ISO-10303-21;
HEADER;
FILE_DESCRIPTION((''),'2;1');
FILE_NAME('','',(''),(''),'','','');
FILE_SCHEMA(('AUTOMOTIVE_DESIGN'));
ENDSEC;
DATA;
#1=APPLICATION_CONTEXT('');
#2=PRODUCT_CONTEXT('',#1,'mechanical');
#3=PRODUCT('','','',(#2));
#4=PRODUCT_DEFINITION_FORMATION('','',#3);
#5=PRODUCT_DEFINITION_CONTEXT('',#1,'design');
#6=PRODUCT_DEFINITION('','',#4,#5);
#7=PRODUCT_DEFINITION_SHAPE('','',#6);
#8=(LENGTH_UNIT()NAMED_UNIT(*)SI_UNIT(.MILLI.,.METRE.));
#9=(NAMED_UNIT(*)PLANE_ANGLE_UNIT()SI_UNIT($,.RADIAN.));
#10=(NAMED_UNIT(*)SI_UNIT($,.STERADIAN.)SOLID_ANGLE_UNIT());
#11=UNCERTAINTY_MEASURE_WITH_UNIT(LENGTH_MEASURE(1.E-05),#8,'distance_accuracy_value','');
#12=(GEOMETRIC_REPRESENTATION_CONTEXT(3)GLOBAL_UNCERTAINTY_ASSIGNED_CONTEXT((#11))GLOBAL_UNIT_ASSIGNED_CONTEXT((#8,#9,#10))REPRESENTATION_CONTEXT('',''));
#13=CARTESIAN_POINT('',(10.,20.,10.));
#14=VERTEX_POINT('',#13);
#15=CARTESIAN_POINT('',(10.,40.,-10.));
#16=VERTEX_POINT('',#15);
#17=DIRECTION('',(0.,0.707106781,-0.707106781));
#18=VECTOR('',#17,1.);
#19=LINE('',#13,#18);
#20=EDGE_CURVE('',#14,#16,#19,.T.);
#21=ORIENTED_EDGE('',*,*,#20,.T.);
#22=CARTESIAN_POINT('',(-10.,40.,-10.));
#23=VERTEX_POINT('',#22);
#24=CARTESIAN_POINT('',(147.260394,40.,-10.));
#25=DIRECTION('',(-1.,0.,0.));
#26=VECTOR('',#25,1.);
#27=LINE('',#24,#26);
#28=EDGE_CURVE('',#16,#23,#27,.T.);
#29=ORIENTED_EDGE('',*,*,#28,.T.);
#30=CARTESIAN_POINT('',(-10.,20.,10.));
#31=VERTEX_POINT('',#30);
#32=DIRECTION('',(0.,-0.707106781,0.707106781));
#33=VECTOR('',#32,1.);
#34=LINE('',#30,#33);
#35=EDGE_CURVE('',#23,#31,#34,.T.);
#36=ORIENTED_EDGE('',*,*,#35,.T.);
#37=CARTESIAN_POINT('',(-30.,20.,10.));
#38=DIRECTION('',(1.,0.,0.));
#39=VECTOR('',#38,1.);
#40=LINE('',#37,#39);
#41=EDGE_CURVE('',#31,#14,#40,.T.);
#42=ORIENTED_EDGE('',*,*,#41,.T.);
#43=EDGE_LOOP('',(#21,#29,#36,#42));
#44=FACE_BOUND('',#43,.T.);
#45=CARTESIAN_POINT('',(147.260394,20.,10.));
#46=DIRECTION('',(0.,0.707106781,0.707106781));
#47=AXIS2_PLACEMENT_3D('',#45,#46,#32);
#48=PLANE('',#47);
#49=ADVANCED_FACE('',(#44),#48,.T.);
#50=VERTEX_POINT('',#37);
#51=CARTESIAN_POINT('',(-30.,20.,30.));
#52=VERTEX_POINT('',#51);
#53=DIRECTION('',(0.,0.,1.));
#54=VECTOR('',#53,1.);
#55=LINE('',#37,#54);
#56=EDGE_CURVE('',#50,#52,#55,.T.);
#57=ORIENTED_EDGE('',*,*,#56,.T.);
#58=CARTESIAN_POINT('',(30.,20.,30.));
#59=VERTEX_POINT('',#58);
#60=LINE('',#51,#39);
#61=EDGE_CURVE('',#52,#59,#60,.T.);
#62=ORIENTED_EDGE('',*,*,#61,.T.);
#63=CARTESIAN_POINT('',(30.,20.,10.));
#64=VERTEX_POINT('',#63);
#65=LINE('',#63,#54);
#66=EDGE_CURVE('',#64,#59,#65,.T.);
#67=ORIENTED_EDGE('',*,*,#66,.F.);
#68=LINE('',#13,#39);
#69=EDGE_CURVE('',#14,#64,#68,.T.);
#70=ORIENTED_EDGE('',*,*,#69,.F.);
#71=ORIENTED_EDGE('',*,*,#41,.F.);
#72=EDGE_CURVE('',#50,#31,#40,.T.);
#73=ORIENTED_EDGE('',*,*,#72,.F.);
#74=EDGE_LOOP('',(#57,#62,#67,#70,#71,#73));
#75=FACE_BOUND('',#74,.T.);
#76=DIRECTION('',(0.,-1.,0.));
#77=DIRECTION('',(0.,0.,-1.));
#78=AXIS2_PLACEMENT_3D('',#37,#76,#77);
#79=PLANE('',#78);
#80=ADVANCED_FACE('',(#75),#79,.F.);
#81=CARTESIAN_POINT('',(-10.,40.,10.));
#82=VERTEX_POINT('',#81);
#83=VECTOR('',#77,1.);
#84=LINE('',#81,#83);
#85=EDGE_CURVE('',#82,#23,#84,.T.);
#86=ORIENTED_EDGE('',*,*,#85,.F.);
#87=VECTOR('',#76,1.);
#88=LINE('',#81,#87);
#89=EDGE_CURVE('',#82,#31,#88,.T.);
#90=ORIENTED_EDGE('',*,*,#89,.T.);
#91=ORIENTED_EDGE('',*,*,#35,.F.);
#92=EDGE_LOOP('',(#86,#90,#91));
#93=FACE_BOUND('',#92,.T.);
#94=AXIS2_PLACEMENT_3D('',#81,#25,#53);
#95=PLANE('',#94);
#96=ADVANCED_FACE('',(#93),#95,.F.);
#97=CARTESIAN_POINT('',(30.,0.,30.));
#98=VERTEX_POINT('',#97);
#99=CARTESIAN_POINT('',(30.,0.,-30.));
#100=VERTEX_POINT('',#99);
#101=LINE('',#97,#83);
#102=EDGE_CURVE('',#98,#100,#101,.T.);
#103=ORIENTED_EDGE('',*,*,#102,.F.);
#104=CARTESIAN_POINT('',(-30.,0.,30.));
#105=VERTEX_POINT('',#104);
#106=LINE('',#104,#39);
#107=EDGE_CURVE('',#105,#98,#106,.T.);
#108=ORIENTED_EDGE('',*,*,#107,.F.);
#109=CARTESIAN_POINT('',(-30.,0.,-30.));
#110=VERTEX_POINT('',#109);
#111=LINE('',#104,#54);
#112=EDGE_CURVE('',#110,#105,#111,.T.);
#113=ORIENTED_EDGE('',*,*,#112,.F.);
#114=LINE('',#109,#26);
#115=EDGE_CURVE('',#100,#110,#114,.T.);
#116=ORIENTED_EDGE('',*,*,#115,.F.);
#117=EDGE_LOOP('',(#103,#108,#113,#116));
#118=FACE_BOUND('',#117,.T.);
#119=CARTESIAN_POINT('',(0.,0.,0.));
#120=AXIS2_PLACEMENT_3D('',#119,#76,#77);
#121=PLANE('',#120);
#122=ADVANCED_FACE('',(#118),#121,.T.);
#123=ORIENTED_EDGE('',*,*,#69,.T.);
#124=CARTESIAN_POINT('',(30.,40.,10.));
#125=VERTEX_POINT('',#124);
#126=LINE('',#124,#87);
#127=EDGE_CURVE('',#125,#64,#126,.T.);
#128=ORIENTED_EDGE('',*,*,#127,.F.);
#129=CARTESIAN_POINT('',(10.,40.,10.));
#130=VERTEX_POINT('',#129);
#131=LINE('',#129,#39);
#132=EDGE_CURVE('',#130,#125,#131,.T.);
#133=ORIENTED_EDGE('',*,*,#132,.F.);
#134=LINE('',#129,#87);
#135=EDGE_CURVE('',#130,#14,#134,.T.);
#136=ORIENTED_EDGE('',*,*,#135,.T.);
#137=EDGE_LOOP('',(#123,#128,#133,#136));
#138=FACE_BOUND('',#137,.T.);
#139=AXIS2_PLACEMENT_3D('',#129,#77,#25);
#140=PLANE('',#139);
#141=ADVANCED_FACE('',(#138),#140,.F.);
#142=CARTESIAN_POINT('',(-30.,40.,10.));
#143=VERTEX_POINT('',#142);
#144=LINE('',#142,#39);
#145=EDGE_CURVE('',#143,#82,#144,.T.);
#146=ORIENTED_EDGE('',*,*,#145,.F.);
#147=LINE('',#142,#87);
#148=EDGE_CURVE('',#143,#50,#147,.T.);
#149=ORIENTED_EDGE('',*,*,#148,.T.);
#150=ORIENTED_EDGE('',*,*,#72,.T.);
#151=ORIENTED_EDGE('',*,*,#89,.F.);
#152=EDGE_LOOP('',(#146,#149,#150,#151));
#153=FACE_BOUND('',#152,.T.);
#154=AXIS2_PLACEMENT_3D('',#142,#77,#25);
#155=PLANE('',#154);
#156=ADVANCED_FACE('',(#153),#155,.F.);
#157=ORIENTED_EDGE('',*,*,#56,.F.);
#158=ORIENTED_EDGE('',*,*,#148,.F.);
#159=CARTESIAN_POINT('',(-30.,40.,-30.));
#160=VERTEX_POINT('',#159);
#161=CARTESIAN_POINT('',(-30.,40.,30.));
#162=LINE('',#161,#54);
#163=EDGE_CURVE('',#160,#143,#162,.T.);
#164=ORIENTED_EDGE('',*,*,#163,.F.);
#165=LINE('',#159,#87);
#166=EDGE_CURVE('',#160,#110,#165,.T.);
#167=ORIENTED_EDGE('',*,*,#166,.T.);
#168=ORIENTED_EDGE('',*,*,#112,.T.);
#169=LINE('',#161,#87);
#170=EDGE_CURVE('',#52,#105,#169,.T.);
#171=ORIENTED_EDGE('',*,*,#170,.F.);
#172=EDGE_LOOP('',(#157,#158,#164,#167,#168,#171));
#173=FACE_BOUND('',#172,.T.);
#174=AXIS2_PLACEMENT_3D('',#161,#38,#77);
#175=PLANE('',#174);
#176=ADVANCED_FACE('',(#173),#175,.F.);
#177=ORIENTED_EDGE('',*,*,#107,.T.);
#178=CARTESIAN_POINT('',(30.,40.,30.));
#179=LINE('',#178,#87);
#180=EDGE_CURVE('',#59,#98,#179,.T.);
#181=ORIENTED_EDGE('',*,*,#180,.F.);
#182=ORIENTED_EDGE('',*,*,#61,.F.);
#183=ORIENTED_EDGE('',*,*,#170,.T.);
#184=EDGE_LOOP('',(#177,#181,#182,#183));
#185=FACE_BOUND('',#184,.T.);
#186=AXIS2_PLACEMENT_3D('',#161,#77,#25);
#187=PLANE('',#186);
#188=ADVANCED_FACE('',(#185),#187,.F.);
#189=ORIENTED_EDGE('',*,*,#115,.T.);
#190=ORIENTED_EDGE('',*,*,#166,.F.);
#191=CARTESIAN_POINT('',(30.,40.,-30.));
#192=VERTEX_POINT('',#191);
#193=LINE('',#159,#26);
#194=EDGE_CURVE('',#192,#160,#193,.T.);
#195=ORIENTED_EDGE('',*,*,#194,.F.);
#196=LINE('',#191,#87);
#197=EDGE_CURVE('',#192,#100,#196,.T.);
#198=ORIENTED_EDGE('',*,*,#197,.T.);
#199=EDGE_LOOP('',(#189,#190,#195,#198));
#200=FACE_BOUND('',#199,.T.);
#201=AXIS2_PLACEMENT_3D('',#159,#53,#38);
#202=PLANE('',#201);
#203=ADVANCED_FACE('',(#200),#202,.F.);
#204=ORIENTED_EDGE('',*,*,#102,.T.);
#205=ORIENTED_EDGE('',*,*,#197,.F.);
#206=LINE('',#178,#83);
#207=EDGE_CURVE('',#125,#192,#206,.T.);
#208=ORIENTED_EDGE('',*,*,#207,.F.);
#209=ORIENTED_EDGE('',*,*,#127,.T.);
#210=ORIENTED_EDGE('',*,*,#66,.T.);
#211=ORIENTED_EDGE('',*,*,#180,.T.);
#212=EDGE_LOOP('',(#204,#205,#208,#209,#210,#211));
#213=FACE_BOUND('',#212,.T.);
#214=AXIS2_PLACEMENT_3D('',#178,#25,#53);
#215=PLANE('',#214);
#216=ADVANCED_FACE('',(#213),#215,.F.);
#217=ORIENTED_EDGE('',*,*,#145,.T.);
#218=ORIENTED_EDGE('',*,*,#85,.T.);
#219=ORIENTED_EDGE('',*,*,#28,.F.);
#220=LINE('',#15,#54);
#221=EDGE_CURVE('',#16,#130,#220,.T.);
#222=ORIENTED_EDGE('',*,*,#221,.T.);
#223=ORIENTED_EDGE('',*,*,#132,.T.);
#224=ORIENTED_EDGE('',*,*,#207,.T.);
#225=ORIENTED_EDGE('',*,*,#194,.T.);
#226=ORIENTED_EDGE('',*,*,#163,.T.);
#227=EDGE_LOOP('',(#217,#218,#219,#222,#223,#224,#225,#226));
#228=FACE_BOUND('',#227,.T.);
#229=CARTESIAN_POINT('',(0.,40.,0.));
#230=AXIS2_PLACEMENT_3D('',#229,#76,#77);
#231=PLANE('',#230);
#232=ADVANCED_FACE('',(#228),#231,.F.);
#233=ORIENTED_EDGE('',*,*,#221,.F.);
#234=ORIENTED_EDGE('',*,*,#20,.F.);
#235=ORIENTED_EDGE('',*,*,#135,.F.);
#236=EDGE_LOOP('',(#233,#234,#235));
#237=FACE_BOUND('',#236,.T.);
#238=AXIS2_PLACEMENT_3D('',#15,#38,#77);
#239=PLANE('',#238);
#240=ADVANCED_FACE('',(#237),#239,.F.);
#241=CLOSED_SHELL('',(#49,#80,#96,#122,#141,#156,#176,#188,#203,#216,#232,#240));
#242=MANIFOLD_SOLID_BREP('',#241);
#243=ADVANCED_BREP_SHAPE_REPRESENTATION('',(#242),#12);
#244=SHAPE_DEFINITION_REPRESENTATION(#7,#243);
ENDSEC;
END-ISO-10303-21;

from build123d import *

# Parameters (mm, degrees)
SKETCH10_W              = 60
SKETCH10_H              = 60
BOSS_EXTRUDE6_DEPTH     = 40
SKETCH12_W              = 60
SKETCH12_H              = 20
CUT_EXTRUDE4_DEPTH      = 20
CUT_EXTRUDE7_DEPTH      = 79.102496759
CUT_EXTRUDE7_DEPTH_BACK = 79.102496759
SKETCH26_W              = 20
SKETCH26_H              = 20
BOSS_EXTRUDE8_DEPTH     = 20
SKETCH30_W              = 20
SKETCH30_H              = 20
BOSS_EXTRUDE10_DEPTH    = 20


with BuildPart() as part:
    # Sketch10 → Boss-Extrude6 (new body)
    with BuildSketch(Plane(origin=(0, 0, 0), x_dir=(1, 0, 0), z_dir=(0, 1, 0))):
        Rectangle(SKETCH10_W, SKETCH10_H)
    extrude(amount=BOSS_EXTRUDE6_DEPTH)

    # Sketch12 → Cut-Extrude4 (cut)
    with BuildSketch(Plane.XY.offset(30)):
        with Locations((0, 30)):
            Rectangle(SKETCH12_W, SKETCH12_H)
    extrude(amount=-CUT_EXTRUDE4_DEPTH, mode=Mode.SUBTRACT)

    # Sketch25 → Cut-Extrude7 (cut, two sides: drawn at the far end of the back side and taken through both)
    with BuildSketch(Plane(origin=(30, 0, 0), x_dir=(0, 0, -1), z_dir=(1, 0, 0)).offset(-CUT_EXTRUDE7_DEPTH_BACK)):
        Polygon((-10, 40), (-10, 20), (10, 40), align=None)
    extrude(amount=CUT_EXTRUDE7_DEPTH + CUT_EXTRUDE7_DEPTH_BACK, mode=Mode.SUBTRACT)

    # Sketch26 → Boss-Extrude8 (add)
    with BuildSketch(Plane(origin=(0, 20, 0), x_dir=(1, 0, 0), z_dir=(0, 1, 0))):
        with Locations((-20, 0)):
            Rectangle(SKETCH26_W, SKETCH26_H)
    extrude(amount=BOSS_EXTRUDE8_DEPTH)

    # Sketch30 → Boss-Extrude10 (add)
    with BuildSketch(Plane(origin=(0, 20, 0), x_dir=(1, 0, 0), z_dir=(0, 1, 0))):
        with Locations((20, 0)):
            Rectangle(SKETCH30_W, SKETCH30_H)
    extrude(amount=BOSS_EXTRUDE10_DEPTH)


solid = part.part
